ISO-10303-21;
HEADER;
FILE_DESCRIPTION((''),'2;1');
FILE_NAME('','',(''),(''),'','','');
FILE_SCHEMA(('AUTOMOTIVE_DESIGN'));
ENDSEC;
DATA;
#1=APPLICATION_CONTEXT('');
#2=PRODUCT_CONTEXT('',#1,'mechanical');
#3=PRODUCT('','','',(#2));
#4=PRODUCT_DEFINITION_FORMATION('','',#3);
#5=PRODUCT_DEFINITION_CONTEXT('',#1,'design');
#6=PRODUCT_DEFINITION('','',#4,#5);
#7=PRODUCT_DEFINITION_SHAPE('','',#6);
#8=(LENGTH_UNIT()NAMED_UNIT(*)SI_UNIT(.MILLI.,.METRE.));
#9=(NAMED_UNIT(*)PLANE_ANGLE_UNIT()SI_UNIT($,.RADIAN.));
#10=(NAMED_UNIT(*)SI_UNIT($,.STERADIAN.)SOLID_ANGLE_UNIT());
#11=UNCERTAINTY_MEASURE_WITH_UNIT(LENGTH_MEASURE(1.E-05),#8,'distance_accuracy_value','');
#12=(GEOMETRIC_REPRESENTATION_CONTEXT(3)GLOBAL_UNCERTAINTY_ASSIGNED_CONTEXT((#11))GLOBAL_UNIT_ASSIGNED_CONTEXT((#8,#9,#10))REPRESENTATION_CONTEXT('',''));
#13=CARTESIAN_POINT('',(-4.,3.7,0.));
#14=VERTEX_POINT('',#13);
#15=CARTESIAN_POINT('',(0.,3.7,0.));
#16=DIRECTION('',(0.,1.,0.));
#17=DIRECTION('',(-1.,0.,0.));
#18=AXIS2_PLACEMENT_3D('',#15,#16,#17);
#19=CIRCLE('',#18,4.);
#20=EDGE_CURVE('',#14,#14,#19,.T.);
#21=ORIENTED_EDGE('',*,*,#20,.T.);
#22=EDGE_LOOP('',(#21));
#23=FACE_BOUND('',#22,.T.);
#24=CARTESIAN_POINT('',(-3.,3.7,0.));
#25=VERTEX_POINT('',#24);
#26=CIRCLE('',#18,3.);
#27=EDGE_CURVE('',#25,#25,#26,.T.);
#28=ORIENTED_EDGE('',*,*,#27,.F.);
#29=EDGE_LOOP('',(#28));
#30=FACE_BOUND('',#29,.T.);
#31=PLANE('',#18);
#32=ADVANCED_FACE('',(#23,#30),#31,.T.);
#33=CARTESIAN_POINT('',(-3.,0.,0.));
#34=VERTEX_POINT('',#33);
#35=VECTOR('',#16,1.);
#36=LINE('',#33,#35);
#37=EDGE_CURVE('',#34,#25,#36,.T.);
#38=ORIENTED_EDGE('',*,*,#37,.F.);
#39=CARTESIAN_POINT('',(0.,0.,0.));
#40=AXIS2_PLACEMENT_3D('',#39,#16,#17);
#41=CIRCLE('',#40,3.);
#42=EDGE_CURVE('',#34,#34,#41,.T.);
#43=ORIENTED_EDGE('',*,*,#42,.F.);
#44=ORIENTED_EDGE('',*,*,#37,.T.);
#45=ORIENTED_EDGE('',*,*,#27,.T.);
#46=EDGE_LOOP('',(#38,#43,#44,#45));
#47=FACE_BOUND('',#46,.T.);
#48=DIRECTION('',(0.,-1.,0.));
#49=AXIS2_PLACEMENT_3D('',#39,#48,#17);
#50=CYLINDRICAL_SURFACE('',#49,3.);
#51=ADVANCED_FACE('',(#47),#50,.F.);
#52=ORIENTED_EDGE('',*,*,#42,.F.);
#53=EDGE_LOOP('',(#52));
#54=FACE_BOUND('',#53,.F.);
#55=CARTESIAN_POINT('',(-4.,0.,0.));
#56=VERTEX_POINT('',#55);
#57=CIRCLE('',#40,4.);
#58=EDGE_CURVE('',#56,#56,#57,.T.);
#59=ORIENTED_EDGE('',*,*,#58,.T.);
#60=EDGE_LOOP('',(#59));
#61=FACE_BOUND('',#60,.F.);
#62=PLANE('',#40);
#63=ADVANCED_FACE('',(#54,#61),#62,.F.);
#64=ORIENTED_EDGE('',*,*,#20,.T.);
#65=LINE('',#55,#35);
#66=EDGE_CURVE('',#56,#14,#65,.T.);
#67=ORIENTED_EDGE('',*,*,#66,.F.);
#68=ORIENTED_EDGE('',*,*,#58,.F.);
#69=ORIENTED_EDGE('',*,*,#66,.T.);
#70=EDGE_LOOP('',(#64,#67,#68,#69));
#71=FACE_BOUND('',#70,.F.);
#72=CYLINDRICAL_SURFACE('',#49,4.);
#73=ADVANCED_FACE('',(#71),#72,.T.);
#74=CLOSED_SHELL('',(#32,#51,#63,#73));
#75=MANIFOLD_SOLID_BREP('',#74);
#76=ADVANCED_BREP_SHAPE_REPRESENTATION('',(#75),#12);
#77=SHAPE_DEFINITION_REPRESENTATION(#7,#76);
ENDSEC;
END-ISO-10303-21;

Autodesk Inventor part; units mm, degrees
ref_plane "YZ Plane" through (0, 0, 0) normal (1, 0, 0) x (0, 1, 0)
ref_plane "XZ Plane" through (0, 0, 0) normal (0, 1, 0) x (-1, 0, 0)
ref_plane "XY Plane" through (0, 0, 0) normal (0, 0, 1) x (1, 0, 0)
sketch "Sketch1" plane through (0, 0, 0) normal (0, 1, 0) x (-1, 0, 0)
  circle A0 centre (0, 0) radius 3
  circle A1 centre (0, 0) radius 4
  dimension "d0" = 6
  dimension "d1" = 8
extrude "Extrusion1" add sketch "Sketch1" along normal blind 3.7
properties part number "steel_spacer"
